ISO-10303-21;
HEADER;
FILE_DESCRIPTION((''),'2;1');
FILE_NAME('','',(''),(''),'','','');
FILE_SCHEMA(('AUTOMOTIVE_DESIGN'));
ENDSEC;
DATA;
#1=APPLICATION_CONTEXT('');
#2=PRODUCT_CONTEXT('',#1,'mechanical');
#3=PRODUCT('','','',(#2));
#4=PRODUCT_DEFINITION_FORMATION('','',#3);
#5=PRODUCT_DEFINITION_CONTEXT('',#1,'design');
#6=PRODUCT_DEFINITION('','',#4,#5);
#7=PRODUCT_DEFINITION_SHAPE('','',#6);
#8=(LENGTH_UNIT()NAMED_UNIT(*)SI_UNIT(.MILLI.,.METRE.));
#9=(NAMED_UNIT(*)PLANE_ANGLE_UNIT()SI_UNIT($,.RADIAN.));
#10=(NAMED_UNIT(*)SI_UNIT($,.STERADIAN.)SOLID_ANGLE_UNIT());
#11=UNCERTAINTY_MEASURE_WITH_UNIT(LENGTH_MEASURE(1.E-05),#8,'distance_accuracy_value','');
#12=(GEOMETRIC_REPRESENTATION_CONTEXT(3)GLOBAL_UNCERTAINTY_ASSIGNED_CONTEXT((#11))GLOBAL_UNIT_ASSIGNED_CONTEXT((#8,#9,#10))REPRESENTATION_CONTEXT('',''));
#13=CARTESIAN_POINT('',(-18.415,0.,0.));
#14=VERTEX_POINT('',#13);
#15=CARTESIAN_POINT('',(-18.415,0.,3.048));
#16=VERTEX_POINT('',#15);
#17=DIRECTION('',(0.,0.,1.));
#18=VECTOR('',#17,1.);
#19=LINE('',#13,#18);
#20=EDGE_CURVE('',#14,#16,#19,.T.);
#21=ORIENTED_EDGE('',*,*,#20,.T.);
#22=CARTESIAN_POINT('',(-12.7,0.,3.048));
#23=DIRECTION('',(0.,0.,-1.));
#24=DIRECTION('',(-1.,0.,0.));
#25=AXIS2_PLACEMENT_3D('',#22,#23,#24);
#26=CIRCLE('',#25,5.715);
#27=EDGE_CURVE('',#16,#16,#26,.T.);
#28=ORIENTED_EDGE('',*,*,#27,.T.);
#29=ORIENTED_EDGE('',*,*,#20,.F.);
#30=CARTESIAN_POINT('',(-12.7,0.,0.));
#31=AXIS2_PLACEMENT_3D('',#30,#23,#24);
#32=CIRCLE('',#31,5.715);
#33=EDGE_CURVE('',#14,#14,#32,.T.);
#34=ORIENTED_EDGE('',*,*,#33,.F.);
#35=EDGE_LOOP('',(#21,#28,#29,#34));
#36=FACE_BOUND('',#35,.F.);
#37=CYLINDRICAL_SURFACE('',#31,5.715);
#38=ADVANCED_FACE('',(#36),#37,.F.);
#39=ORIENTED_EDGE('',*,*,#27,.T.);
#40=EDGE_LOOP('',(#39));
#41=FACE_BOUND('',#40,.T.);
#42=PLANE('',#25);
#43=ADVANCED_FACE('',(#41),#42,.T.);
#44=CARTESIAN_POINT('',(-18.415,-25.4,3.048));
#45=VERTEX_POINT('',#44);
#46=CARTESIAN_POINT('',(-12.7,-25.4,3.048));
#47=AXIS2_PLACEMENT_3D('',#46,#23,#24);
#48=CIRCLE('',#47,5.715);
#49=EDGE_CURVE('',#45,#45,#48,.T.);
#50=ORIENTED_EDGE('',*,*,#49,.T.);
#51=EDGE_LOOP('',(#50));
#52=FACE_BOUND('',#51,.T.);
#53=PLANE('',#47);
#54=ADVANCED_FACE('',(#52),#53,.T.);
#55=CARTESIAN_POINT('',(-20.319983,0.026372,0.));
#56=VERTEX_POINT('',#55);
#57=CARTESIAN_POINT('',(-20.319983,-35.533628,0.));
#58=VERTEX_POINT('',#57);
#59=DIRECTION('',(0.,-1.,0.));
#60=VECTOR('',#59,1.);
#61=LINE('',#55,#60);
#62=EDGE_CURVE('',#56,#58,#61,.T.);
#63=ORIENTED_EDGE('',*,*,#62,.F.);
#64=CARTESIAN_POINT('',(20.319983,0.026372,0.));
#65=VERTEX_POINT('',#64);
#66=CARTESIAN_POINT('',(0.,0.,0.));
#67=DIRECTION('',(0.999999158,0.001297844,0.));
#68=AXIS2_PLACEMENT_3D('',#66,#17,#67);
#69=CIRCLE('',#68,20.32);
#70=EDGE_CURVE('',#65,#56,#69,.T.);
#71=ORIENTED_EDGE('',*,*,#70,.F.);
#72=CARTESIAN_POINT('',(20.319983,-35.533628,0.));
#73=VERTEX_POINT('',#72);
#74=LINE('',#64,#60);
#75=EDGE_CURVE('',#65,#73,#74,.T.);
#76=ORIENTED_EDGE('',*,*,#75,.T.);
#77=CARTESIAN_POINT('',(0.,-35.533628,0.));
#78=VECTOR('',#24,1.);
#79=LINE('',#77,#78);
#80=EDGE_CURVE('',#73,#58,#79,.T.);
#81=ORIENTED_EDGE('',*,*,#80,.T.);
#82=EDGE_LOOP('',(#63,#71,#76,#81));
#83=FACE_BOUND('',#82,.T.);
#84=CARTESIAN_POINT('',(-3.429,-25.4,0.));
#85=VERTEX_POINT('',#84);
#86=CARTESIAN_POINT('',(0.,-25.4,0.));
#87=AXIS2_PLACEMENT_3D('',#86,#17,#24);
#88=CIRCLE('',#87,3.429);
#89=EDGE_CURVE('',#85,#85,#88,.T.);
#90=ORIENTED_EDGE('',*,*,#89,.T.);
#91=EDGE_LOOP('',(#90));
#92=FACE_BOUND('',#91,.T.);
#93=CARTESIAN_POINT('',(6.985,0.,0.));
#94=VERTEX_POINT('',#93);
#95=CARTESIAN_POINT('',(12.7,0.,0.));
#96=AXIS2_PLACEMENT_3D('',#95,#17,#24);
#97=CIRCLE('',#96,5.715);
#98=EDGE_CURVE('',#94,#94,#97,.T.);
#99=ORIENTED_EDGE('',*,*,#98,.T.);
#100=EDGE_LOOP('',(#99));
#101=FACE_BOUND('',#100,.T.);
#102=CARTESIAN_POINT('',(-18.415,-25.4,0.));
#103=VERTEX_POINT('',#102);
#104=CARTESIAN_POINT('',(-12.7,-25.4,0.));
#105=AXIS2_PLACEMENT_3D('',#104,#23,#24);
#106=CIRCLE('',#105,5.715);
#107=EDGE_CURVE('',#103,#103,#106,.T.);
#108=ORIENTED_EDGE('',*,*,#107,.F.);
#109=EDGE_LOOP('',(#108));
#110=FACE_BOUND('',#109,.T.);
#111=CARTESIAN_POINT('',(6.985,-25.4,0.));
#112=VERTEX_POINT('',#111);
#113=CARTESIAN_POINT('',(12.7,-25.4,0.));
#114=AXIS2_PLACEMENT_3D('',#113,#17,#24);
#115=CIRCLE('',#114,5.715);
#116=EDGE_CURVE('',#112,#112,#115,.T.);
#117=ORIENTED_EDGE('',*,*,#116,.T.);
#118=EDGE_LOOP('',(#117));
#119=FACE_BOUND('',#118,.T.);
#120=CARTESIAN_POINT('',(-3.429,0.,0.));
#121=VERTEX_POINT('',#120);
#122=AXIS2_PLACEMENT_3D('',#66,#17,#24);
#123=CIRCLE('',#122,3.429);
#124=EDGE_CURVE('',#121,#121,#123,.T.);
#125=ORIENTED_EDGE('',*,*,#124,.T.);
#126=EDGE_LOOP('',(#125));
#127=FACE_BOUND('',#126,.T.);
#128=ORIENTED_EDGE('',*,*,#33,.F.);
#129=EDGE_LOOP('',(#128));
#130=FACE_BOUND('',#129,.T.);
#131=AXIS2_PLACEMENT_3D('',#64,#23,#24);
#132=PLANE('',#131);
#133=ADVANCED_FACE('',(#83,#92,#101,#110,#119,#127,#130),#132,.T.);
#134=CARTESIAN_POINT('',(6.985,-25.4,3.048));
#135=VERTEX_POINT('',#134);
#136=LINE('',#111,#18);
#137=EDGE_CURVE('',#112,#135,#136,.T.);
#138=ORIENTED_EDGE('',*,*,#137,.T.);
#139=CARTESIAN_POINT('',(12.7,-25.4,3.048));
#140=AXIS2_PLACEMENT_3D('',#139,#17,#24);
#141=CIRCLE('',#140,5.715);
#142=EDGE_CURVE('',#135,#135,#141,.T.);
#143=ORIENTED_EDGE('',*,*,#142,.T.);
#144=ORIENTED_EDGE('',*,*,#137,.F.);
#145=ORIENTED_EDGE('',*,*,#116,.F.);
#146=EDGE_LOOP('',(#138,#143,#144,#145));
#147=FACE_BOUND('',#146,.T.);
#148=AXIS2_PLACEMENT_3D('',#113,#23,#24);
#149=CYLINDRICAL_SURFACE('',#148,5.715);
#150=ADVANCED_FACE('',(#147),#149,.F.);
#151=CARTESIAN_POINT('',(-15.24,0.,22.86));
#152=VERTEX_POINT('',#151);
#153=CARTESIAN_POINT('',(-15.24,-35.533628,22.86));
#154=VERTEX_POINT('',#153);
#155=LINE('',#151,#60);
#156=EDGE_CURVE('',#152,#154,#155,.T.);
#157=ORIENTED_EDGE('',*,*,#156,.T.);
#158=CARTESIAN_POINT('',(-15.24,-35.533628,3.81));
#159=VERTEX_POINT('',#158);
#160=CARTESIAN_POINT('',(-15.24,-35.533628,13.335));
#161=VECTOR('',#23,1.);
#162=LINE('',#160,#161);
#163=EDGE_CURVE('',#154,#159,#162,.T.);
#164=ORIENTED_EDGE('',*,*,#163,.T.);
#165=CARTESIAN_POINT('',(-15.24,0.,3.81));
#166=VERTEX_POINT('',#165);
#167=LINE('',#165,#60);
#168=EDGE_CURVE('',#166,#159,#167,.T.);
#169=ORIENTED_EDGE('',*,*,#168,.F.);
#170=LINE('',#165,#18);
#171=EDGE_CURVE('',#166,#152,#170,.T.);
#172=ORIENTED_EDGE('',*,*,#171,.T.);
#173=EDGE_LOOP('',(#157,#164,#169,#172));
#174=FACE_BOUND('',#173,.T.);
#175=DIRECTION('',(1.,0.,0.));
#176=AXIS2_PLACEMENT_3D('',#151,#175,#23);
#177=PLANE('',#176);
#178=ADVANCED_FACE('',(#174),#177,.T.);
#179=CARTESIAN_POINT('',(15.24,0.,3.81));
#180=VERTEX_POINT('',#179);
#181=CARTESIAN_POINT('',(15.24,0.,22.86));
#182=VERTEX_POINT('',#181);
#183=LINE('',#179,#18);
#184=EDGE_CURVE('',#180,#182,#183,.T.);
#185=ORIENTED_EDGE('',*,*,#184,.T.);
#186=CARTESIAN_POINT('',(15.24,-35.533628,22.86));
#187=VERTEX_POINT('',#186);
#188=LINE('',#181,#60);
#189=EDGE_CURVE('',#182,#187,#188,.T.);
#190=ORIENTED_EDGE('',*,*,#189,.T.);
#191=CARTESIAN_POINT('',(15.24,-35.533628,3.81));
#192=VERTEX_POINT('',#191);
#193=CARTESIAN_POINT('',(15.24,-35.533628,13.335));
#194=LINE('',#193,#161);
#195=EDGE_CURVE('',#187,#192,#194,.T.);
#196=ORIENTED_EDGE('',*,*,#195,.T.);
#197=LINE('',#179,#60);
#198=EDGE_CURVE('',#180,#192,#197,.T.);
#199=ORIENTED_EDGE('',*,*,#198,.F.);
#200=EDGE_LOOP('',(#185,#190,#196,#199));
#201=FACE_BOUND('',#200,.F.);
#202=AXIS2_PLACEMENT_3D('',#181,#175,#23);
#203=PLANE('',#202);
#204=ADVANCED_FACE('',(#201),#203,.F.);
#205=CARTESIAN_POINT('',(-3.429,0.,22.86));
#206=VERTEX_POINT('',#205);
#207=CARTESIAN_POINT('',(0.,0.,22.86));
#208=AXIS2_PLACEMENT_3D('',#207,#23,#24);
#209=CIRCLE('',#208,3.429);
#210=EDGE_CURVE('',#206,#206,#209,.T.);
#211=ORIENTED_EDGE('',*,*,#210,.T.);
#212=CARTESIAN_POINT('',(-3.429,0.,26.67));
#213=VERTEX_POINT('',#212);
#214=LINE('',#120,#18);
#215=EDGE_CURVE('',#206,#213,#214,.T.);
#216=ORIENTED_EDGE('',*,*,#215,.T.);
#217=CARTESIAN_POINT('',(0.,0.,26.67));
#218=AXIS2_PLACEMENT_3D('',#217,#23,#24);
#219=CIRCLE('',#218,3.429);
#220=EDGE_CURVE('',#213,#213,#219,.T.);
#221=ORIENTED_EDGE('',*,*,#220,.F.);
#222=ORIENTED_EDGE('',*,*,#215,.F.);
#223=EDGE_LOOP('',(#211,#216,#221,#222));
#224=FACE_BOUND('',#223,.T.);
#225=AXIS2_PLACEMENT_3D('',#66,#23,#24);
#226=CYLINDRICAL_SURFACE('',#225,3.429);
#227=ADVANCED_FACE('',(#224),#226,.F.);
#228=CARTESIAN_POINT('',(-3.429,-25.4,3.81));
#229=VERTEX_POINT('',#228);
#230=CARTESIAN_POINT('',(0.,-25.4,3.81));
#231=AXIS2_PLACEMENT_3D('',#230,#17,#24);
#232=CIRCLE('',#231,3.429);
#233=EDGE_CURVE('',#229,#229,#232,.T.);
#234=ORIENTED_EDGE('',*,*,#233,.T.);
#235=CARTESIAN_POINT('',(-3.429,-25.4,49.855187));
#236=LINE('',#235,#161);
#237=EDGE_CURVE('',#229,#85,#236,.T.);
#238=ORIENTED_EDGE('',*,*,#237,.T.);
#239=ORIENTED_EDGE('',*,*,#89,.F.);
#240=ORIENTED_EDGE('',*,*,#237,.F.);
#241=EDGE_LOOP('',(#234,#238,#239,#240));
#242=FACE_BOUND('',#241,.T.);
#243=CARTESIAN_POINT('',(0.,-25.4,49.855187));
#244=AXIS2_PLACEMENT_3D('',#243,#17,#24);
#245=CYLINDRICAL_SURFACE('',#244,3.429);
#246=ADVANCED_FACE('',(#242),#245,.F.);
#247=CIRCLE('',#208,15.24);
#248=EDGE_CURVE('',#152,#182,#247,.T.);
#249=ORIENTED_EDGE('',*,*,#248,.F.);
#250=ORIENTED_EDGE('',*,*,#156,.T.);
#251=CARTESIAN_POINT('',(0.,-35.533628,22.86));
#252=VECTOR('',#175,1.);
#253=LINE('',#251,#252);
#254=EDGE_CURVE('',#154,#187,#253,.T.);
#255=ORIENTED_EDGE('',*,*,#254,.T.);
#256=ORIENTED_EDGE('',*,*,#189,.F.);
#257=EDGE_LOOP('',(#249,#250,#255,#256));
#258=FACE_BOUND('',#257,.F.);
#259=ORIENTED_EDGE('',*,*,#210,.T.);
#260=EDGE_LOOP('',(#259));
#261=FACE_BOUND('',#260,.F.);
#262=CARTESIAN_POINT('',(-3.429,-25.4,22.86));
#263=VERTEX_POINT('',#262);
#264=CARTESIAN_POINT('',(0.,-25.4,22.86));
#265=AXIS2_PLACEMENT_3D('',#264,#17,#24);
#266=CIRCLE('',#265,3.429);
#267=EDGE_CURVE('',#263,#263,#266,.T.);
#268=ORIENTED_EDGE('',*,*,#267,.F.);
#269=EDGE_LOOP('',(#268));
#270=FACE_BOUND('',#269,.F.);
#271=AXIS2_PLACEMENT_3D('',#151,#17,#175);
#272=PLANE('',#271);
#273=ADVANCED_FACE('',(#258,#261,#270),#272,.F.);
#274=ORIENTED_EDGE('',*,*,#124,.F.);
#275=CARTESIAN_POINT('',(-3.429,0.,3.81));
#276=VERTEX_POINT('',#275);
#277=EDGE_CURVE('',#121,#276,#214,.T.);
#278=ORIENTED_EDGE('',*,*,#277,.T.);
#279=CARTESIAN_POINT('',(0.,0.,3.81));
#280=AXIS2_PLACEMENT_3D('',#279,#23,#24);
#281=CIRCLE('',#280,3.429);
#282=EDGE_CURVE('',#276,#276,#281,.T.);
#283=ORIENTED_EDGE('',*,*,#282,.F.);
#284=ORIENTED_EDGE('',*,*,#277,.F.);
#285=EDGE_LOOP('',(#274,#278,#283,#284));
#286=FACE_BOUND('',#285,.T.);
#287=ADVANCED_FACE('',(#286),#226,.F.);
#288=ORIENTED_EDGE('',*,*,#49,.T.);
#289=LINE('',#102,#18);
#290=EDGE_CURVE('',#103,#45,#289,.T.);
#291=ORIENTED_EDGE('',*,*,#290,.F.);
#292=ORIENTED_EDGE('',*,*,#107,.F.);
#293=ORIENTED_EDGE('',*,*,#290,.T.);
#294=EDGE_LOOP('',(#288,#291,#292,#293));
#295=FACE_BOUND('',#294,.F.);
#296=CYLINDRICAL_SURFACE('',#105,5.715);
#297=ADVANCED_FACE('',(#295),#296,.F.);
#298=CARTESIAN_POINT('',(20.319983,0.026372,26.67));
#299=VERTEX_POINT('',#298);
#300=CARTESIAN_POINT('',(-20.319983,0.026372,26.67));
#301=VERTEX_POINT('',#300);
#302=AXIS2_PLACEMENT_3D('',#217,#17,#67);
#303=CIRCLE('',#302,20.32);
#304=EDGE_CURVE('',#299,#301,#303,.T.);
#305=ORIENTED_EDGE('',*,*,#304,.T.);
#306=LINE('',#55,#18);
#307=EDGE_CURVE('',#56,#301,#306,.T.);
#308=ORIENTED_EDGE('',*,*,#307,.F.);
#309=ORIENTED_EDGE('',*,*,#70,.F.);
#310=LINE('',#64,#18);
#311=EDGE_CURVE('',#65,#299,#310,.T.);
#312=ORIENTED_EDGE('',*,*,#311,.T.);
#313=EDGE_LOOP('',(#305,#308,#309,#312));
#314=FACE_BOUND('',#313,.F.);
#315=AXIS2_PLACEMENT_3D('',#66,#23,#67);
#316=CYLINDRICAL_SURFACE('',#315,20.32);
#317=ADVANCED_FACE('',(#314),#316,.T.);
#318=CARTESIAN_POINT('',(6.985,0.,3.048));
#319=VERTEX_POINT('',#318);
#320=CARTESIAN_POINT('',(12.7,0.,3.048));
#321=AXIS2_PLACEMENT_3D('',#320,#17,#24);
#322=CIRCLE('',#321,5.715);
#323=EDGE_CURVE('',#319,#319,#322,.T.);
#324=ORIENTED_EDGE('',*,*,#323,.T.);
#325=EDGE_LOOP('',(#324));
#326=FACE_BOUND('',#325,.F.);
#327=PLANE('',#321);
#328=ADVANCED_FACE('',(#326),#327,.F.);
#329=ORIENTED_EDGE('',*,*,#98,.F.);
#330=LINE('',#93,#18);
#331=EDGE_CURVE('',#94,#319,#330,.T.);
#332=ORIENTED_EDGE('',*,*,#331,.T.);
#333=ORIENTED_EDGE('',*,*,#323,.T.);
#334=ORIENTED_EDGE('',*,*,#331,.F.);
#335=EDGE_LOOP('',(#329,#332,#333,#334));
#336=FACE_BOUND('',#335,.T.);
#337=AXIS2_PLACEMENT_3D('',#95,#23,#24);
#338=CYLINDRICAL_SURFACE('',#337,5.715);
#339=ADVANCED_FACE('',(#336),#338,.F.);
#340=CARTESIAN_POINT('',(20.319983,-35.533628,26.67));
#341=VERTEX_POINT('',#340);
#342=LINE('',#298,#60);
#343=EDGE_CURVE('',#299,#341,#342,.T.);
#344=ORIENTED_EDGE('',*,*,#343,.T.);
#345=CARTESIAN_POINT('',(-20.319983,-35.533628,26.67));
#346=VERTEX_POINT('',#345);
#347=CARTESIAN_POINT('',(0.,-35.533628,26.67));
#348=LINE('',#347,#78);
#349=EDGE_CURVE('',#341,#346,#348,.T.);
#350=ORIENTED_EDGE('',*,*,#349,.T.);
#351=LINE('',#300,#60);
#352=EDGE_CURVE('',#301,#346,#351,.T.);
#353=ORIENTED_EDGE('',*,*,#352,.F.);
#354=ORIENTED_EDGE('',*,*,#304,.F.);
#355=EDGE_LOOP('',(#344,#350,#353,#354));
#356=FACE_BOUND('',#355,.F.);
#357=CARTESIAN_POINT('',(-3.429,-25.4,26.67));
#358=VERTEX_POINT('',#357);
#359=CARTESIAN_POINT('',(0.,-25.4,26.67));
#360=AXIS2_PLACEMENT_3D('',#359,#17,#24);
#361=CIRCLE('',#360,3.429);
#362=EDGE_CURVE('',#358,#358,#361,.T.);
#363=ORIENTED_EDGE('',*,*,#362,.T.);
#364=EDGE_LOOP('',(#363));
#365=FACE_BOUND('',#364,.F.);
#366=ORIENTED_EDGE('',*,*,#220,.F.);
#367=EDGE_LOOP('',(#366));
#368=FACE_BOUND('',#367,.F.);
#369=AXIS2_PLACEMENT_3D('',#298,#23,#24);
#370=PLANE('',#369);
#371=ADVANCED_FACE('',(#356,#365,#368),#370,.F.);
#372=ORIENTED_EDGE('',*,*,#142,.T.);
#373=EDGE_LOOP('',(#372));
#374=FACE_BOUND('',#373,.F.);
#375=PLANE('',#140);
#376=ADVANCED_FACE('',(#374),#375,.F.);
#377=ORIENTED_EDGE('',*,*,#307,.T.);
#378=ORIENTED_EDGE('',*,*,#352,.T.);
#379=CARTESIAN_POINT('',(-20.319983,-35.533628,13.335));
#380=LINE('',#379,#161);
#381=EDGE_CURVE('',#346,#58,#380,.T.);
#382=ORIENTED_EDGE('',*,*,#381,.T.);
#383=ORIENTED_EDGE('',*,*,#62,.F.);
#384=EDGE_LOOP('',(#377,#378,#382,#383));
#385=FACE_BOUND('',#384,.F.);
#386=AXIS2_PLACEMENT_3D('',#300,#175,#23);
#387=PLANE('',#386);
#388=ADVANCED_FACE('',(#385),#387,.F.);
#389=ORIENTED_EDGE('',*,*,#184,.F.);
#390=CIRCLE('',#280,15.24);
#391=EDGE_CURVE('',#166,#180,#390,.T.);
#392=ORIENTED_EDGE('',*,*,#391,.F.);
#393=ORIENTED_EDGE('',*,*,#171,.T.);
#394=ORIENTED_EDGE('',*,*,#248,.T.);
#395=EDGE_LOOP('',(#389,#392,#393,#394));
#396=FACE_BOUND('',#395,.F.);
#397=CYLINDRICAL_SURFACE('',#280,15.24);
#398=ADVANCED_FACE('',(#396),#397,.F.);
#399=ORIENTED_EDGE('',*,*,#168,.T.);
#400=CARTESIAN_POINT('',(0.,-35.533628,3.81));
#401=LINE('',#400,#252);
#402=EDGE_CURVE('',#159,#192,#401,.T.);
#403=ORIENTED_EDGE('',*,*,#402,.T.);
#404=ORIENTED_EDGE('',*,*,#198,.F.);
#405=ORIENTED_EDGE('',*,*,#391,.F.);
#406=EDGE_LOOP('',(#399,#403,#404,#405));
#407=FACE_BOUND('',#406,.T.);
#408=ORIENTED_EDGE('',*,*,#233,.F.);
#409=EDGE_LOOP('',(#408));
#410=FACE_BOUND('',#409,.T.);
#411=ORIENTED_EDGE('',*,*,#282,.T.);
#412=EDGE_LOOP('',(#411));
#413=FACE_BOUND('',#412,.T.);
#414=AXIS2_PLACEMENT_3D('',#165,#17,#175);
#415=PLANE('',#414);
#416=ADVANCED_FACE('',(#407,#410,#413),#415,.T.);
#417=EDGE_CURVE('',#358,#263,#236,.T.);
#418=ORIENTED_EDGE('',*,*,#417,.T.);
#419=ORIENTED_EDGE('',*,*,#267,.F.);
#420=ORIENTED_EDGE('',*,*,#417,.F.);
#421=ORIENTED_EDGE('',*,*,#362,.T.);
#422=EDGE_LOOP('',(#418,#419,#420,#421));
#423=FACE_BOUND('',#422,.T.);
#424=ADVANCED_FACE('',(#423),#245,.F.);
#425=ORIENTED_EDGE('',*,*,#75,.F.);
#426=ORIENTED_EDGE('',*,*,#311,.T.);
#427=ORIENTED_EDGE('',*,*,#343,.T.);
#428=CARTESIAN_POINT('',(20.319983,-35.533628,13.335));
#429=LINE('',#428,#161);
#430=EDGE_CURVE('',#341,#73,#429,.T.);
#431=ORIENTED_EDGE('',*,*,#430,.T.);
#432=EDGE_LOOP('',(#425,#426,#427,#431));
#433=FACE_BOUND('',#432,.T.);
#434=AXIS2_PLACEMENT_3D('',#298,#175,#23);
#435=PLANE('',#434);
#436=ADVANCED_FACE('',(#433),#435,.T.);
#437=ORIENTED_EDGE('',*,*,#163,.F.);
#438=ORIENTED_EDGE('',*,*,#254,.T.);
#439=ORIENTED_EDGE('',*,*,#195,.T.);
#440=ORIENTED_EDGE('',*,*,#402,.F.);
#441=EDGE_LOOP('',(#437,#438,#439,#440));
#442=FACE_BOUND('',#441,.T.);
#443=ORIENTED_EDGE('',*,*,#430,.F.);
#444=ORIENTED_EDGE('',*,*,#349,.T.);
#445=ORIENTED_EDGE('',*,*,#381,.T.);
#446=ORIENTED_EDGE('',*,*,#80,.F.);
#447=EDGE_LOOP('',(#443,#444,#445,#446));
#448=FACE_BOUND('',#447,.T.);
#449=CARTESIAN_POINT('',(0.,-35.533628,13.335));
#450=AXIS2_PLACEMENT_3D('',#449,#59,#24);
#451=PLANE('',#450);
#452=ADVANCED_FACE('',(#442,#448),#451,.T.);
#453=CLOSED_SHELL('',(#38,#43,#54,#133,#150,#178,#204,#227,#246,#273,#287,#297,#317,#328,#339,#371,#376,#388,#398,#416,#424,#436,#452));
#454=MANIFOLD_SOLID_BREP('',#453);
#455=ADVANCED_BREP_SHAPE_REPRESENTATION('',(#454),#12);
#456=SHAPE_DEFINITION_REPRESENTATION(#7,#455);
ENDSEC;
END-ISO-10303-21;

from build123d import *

# Parameters (mm, degrees)
BOSS_EXTRUDE1_DEPTH      = 26.67
SKETCH3_W                = 40.639965772
SKETCH3_H                = 26.67
BOSS_EXTRUDE2_DEPTH      = 35.56
CUT_EXTRUDE3_START       = 3.81
CUT_EXTRUDE3_DEPTH       = 19.05
SKETCH9_W                = 30.48
SKETCH9_H                = 19.05
CUT_EXTRUDE4_DEPTH       = 35.533627808
CUT_EXTRUDE8_REACH       = 50.855
SKETCH10_R               = 3.429
SKETCH11_R               = 5.715
CUT_EXTRUDE9_DEPTH       = 3.048
SKETCH12_R               = 5.715
CUT_EXTRUDE10_DEPTH      = 3.048
SKETCH13_R               = 5.715
CUT_EXTRUDE11_DEPTH      = 3.048
CUT_EXTRUDE12_DEPTH      = 49.855187132
CUT_EXTRUDE12_DEPTH_BACK = 49.855187132
SKETCH16_R               = 3.429


with BuildPart() as part:
    # Sketch2 → Boss-Extrude1 (new body)
    with BuildSketch(Plane.XY):
        with BuildLine():
            Line((-20.319982886, 0.026372192), (20.319982886, 0.026372192))
            ThreePointArc((20.319982886, 0.026372192), (0, 20.32), (-20.319982886, 0.026372192))
        make_face()
    extrude(amount=BOSS_EXTRUDE1_DEPTH)

    # Sketch3 → Boss-Extrude2 (add)
    with BuildSketch(Plane(origin=(0, 0.026372192, 0), x_dir=(-1, 0, 0), z_dir=(0, -1, 0))):
        with Locations((0, -13.335)):
            Rectangle(SKETCH3_W, SKETCH3_H)
    extrude(amount=BOSS_EXTRUDE2_DEPTH)

    # Sketch8 → Cut-Extrude3 (cut)
    with BuildSketch(Plane.XY.offset(CUT_EXTRUDE3_START)):
        with BuildLine():
            Line((15.24, 0), (-15.24, 0))
            ThreePointArc((-15.24, 0), (0, 15.24), (15.24, 0))
        make_face()
    extrude(amount=CUT_EXTRUDE3_DEPTH, mode=Mode.SUBTRACT)

    # Sketch9 → Cut-Extrude4 (cut)
    with BuildSketch(Plane(origin=(0, 0, 0), x_dir=(1, 0, 0), z_dir=(0, 1, 0))):
        with Locations((0, -13.335)):
            Rectangle(SKETCH9_W, SKETCH9_H)
    extrude(amount=-CUT_EXTRUDE4_DEPTH, mode=Mode.SUBTRACT)

    # Cut-Extrude8: up to this face of the body (flat: up to its plane)
    cut_extrude8_end = Plane(part.part.faces().sort_by_distance((0, -9.587434333, 26.67))[0])
    # Sketch10 → Cut-Extrude8 (cut, up to the picked face)
    with BuildSketch(Plane.XY, mode=Mode.PRIVATE) as cut_extrude8_sk1:
        with Locations(Location((0, 0, 0), (0, 0, 180))):
            Circle(SKETCH10_R)
    cut_extrude8_tool1 = split(extrude(cut_extrude8_sk1.sketch, amount=CUT_EXTRUDE8_REACH, mode=Mode.PRIVATE), bisect_by=cut_extrude8_end, keep=Keep.BOTH, mode=Mode.PRIVATE)
    add(cut_extrude8_tool1.solids().sort_by(Axis((0, 0, 0), (0, 0, 1)))[0], mode=Mode.SUBTRACT)

    # Sketch11 → Cut-Extrude9 (cut)
    with BuildSketch(Plane.XY):
        with Locations(Location((12.7, 0, 0), (0, 0, 180))):
            Circle(SKETCH11_R)
    extrude(amount=CUT_EXTRUDE9_DEPTH, mode=Mode.SUBTRACT)

    # Sketch12 → Cut-Extrude10 (cut)
    with BuildSketch(Plane.XY):
        with Locations(Location((12.7, -25.4, 0), (0, 0, 180))):
            Circle(SKETCH12_R)
    extrude(amount=CUT_EXTRUDE10_DEPTH, mode=Mode.SUBTRACT)

    # Sketch13 → Cut-Extrude11 (cut)
    with BuildSketch(Plane(origin=(0, 0, 0), x_dir=(-1, 0, 0), z_dir=(0, 0, -1))):
        with Locations((12.7, 0)):
            Circle(SKETCH13_R)
        with Locations((12.7, -25.4)):
            Circle(SKETCH13_R)
    extrude(amount=-CUT_EXTRUDE11_DEPTH, mode=Mode.SUBTRACT)

    # Sketch16 → Cut-Extrude12 (cut, two sides: drawn at the far end of the back side and taken through both)
    with BuildSketch(Plane(origin=(0, 0, 0), x_dir=(-1, 0, 0), z_dir=(0, 0, -1)).offset(-CUT_EXTRUDE12_DEPTH_BACK)):
        with Locations((0, -25.4)):
            Circle(SKETCH16_R)
    extrude(amount=CUT_EXTRUDE12_DEPTH + CUT_EXTRUDE12_DEPTH_BACK, mode=Mode.SUBTRACT)


solid = part.part
